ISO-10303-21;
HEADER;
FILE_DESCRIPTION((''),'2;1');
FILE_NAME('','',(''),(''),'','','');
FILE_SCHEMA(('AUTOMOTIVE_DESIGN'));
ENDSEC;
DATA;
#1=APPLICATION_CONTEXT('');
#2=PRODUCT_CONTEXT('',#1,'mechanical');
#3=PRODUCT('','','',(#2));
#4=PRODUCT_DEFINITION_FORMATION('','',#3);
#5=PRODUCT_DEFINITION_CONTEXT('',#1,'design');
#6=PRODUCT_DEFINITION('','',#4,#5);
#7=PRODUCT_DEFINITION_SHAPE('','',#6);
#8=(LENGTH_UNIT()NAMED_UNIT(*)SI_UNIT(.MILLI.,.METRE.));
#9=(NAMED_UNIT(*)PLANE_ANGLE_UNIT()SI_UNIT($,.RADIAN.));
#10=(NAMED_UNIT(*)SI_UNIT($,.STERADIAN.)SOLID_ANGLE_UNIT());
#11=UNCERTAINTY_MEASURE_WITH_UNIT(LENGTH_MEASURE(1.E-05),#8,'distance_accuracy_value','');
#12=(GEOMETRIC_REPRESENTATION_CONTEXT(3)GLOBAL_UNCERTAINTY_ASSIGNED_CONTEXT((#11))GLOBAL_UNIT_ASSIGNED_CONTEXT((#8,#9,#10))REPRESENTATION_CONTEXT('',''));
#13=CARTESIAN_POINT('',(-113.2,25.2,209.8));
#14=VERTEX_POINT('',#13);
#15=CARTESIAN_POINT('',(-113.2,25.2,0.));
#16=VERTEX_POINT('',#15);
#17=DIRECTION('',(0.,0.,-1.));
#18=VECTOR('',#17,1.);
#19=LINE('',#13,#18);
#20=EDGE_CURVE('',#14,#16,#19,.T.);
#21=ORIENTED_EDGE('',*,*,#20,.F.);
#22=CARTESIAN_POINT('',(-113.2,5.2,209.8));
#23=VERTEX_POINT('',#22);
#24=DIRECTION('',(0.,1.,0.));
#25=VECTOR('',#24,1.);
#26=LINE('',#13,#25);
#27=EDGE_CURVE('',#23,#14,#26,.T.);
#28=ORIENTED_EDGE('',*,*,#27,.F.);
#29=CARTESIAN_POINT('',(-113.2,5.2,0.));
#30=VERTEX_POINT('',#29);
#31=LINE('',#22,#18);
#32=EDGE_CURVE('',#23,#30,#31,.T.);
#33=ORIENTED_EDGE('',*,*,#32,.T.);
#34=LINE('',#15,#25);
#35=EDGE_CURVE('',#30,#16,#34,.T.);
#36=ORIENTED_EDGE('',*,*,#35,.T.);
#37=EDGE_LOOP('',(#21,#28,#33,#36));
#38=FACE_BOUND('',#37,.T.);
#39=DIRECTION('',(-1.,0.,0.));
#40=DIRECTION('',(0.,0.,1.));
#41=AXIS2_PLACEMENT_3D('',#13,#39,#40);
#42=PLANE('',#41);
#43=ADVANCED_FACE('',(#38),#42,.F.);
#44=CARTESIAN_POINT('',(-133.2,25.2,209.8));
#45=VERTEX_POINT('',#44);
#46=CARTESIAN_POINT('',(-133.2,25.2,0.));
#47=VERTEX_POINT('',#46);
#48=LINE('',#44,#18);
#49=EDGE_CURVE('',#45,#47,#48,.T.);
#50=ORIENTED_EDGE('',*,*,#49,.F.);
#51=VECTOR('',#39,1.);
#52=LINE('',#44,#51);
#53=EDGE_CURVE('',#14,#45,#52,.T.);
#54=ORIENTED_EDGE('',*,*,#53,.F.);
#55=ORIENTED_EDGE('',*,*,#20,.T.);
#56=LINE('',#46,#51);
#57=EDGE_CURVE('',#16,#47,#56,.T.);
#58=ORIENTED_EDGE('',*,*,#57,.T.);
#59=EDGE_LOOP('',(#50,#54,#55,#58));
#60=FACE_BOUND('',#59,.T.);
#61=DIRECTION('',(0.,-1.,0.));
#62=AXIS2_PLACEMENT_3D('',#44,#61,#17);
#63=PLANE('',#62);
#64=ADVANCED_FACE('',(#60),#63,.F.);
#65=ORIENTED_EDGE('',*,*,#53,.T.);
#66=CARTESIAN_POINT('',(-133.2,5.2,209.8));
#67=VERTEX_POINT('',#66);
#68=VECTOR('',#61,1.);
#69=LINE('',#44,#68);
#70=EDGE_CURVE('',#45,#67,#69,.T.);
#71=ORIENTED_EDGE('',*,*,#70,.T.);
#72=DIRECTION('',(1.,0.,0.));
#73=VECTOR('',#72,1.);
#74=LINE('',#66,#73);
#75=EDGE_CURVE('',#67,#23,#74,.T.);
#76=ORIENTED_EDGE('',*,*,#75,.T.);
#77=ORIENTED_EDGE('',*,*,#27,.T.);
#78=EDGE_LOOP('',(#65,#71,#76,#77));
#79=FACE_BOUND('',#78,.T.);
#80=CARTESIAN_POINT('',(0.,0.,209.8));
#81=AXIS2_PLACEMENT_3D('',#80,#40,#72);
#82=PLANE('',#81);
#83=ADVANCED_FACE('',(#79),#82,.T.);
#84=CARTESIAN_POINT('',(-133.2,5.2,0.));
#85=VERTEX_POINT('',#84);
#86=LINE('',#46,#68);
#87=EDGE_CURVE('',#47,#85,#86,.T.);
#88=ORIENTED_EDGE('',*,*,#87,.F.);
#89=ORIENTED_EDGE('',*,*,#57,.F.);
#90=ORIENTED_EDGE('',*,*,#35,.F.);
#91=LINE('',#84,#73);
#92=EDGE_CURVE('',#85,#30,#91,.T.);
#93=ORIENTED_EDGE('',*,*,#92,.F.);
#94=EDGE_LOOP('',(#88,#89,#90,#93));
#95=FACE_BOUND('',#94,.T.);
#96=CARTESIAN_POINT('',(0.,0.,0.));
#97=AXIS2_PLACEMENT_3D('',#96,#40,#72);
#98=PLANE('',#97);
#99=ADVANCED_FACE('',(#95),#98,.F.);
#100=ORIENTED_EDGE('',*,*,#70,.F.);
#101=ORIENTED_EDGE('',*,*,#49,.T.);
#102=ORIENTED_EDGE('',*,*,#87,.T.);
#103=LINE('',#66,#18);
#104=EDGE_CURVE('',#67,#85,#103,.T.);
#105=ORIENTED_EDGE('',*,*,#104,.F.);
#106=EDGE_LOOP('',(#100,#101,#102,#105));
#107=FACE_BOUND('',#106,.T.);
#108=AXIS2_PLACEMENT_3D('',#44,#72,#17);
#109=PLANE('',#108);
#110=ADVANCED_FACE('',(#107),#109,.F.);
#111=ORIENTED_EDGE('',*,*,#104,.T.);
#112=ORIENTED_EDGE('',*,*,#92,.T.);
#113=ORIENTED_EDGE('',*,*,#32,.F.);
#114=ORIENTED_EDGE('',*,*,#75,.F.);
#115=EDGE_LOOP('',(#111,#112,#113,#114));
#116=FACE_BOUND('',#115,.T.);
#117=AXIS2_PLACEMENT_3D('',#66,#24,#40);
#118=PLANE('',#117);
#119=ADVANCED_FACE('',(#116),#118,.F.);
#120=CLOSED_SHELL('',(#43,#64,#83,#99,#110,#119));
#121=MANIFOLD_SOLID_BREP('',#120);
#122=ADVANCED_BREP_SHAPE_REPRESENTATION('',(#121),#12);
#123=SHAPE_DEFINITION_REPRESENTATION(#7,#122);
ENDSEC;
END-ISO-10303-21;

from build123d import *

# Parameters (mm, degrees)
SKETCH1_W           = 20
SKETCH1_H           = 20
BOSS_EXTRUDE1_DEPTH = 209.8


with BuildPart() as part:
    # Sketch1 → Boss-Extrude1 (new body)
    with BuildSketch(Plane.XY):
        with Locations((-123.2, 15.2)):
            Rectangle(SKETCH1_W, SKETCH1_H)
    extrude(amount=BOSS_EXTRUDE1_DEPTH)


solid = part.part
